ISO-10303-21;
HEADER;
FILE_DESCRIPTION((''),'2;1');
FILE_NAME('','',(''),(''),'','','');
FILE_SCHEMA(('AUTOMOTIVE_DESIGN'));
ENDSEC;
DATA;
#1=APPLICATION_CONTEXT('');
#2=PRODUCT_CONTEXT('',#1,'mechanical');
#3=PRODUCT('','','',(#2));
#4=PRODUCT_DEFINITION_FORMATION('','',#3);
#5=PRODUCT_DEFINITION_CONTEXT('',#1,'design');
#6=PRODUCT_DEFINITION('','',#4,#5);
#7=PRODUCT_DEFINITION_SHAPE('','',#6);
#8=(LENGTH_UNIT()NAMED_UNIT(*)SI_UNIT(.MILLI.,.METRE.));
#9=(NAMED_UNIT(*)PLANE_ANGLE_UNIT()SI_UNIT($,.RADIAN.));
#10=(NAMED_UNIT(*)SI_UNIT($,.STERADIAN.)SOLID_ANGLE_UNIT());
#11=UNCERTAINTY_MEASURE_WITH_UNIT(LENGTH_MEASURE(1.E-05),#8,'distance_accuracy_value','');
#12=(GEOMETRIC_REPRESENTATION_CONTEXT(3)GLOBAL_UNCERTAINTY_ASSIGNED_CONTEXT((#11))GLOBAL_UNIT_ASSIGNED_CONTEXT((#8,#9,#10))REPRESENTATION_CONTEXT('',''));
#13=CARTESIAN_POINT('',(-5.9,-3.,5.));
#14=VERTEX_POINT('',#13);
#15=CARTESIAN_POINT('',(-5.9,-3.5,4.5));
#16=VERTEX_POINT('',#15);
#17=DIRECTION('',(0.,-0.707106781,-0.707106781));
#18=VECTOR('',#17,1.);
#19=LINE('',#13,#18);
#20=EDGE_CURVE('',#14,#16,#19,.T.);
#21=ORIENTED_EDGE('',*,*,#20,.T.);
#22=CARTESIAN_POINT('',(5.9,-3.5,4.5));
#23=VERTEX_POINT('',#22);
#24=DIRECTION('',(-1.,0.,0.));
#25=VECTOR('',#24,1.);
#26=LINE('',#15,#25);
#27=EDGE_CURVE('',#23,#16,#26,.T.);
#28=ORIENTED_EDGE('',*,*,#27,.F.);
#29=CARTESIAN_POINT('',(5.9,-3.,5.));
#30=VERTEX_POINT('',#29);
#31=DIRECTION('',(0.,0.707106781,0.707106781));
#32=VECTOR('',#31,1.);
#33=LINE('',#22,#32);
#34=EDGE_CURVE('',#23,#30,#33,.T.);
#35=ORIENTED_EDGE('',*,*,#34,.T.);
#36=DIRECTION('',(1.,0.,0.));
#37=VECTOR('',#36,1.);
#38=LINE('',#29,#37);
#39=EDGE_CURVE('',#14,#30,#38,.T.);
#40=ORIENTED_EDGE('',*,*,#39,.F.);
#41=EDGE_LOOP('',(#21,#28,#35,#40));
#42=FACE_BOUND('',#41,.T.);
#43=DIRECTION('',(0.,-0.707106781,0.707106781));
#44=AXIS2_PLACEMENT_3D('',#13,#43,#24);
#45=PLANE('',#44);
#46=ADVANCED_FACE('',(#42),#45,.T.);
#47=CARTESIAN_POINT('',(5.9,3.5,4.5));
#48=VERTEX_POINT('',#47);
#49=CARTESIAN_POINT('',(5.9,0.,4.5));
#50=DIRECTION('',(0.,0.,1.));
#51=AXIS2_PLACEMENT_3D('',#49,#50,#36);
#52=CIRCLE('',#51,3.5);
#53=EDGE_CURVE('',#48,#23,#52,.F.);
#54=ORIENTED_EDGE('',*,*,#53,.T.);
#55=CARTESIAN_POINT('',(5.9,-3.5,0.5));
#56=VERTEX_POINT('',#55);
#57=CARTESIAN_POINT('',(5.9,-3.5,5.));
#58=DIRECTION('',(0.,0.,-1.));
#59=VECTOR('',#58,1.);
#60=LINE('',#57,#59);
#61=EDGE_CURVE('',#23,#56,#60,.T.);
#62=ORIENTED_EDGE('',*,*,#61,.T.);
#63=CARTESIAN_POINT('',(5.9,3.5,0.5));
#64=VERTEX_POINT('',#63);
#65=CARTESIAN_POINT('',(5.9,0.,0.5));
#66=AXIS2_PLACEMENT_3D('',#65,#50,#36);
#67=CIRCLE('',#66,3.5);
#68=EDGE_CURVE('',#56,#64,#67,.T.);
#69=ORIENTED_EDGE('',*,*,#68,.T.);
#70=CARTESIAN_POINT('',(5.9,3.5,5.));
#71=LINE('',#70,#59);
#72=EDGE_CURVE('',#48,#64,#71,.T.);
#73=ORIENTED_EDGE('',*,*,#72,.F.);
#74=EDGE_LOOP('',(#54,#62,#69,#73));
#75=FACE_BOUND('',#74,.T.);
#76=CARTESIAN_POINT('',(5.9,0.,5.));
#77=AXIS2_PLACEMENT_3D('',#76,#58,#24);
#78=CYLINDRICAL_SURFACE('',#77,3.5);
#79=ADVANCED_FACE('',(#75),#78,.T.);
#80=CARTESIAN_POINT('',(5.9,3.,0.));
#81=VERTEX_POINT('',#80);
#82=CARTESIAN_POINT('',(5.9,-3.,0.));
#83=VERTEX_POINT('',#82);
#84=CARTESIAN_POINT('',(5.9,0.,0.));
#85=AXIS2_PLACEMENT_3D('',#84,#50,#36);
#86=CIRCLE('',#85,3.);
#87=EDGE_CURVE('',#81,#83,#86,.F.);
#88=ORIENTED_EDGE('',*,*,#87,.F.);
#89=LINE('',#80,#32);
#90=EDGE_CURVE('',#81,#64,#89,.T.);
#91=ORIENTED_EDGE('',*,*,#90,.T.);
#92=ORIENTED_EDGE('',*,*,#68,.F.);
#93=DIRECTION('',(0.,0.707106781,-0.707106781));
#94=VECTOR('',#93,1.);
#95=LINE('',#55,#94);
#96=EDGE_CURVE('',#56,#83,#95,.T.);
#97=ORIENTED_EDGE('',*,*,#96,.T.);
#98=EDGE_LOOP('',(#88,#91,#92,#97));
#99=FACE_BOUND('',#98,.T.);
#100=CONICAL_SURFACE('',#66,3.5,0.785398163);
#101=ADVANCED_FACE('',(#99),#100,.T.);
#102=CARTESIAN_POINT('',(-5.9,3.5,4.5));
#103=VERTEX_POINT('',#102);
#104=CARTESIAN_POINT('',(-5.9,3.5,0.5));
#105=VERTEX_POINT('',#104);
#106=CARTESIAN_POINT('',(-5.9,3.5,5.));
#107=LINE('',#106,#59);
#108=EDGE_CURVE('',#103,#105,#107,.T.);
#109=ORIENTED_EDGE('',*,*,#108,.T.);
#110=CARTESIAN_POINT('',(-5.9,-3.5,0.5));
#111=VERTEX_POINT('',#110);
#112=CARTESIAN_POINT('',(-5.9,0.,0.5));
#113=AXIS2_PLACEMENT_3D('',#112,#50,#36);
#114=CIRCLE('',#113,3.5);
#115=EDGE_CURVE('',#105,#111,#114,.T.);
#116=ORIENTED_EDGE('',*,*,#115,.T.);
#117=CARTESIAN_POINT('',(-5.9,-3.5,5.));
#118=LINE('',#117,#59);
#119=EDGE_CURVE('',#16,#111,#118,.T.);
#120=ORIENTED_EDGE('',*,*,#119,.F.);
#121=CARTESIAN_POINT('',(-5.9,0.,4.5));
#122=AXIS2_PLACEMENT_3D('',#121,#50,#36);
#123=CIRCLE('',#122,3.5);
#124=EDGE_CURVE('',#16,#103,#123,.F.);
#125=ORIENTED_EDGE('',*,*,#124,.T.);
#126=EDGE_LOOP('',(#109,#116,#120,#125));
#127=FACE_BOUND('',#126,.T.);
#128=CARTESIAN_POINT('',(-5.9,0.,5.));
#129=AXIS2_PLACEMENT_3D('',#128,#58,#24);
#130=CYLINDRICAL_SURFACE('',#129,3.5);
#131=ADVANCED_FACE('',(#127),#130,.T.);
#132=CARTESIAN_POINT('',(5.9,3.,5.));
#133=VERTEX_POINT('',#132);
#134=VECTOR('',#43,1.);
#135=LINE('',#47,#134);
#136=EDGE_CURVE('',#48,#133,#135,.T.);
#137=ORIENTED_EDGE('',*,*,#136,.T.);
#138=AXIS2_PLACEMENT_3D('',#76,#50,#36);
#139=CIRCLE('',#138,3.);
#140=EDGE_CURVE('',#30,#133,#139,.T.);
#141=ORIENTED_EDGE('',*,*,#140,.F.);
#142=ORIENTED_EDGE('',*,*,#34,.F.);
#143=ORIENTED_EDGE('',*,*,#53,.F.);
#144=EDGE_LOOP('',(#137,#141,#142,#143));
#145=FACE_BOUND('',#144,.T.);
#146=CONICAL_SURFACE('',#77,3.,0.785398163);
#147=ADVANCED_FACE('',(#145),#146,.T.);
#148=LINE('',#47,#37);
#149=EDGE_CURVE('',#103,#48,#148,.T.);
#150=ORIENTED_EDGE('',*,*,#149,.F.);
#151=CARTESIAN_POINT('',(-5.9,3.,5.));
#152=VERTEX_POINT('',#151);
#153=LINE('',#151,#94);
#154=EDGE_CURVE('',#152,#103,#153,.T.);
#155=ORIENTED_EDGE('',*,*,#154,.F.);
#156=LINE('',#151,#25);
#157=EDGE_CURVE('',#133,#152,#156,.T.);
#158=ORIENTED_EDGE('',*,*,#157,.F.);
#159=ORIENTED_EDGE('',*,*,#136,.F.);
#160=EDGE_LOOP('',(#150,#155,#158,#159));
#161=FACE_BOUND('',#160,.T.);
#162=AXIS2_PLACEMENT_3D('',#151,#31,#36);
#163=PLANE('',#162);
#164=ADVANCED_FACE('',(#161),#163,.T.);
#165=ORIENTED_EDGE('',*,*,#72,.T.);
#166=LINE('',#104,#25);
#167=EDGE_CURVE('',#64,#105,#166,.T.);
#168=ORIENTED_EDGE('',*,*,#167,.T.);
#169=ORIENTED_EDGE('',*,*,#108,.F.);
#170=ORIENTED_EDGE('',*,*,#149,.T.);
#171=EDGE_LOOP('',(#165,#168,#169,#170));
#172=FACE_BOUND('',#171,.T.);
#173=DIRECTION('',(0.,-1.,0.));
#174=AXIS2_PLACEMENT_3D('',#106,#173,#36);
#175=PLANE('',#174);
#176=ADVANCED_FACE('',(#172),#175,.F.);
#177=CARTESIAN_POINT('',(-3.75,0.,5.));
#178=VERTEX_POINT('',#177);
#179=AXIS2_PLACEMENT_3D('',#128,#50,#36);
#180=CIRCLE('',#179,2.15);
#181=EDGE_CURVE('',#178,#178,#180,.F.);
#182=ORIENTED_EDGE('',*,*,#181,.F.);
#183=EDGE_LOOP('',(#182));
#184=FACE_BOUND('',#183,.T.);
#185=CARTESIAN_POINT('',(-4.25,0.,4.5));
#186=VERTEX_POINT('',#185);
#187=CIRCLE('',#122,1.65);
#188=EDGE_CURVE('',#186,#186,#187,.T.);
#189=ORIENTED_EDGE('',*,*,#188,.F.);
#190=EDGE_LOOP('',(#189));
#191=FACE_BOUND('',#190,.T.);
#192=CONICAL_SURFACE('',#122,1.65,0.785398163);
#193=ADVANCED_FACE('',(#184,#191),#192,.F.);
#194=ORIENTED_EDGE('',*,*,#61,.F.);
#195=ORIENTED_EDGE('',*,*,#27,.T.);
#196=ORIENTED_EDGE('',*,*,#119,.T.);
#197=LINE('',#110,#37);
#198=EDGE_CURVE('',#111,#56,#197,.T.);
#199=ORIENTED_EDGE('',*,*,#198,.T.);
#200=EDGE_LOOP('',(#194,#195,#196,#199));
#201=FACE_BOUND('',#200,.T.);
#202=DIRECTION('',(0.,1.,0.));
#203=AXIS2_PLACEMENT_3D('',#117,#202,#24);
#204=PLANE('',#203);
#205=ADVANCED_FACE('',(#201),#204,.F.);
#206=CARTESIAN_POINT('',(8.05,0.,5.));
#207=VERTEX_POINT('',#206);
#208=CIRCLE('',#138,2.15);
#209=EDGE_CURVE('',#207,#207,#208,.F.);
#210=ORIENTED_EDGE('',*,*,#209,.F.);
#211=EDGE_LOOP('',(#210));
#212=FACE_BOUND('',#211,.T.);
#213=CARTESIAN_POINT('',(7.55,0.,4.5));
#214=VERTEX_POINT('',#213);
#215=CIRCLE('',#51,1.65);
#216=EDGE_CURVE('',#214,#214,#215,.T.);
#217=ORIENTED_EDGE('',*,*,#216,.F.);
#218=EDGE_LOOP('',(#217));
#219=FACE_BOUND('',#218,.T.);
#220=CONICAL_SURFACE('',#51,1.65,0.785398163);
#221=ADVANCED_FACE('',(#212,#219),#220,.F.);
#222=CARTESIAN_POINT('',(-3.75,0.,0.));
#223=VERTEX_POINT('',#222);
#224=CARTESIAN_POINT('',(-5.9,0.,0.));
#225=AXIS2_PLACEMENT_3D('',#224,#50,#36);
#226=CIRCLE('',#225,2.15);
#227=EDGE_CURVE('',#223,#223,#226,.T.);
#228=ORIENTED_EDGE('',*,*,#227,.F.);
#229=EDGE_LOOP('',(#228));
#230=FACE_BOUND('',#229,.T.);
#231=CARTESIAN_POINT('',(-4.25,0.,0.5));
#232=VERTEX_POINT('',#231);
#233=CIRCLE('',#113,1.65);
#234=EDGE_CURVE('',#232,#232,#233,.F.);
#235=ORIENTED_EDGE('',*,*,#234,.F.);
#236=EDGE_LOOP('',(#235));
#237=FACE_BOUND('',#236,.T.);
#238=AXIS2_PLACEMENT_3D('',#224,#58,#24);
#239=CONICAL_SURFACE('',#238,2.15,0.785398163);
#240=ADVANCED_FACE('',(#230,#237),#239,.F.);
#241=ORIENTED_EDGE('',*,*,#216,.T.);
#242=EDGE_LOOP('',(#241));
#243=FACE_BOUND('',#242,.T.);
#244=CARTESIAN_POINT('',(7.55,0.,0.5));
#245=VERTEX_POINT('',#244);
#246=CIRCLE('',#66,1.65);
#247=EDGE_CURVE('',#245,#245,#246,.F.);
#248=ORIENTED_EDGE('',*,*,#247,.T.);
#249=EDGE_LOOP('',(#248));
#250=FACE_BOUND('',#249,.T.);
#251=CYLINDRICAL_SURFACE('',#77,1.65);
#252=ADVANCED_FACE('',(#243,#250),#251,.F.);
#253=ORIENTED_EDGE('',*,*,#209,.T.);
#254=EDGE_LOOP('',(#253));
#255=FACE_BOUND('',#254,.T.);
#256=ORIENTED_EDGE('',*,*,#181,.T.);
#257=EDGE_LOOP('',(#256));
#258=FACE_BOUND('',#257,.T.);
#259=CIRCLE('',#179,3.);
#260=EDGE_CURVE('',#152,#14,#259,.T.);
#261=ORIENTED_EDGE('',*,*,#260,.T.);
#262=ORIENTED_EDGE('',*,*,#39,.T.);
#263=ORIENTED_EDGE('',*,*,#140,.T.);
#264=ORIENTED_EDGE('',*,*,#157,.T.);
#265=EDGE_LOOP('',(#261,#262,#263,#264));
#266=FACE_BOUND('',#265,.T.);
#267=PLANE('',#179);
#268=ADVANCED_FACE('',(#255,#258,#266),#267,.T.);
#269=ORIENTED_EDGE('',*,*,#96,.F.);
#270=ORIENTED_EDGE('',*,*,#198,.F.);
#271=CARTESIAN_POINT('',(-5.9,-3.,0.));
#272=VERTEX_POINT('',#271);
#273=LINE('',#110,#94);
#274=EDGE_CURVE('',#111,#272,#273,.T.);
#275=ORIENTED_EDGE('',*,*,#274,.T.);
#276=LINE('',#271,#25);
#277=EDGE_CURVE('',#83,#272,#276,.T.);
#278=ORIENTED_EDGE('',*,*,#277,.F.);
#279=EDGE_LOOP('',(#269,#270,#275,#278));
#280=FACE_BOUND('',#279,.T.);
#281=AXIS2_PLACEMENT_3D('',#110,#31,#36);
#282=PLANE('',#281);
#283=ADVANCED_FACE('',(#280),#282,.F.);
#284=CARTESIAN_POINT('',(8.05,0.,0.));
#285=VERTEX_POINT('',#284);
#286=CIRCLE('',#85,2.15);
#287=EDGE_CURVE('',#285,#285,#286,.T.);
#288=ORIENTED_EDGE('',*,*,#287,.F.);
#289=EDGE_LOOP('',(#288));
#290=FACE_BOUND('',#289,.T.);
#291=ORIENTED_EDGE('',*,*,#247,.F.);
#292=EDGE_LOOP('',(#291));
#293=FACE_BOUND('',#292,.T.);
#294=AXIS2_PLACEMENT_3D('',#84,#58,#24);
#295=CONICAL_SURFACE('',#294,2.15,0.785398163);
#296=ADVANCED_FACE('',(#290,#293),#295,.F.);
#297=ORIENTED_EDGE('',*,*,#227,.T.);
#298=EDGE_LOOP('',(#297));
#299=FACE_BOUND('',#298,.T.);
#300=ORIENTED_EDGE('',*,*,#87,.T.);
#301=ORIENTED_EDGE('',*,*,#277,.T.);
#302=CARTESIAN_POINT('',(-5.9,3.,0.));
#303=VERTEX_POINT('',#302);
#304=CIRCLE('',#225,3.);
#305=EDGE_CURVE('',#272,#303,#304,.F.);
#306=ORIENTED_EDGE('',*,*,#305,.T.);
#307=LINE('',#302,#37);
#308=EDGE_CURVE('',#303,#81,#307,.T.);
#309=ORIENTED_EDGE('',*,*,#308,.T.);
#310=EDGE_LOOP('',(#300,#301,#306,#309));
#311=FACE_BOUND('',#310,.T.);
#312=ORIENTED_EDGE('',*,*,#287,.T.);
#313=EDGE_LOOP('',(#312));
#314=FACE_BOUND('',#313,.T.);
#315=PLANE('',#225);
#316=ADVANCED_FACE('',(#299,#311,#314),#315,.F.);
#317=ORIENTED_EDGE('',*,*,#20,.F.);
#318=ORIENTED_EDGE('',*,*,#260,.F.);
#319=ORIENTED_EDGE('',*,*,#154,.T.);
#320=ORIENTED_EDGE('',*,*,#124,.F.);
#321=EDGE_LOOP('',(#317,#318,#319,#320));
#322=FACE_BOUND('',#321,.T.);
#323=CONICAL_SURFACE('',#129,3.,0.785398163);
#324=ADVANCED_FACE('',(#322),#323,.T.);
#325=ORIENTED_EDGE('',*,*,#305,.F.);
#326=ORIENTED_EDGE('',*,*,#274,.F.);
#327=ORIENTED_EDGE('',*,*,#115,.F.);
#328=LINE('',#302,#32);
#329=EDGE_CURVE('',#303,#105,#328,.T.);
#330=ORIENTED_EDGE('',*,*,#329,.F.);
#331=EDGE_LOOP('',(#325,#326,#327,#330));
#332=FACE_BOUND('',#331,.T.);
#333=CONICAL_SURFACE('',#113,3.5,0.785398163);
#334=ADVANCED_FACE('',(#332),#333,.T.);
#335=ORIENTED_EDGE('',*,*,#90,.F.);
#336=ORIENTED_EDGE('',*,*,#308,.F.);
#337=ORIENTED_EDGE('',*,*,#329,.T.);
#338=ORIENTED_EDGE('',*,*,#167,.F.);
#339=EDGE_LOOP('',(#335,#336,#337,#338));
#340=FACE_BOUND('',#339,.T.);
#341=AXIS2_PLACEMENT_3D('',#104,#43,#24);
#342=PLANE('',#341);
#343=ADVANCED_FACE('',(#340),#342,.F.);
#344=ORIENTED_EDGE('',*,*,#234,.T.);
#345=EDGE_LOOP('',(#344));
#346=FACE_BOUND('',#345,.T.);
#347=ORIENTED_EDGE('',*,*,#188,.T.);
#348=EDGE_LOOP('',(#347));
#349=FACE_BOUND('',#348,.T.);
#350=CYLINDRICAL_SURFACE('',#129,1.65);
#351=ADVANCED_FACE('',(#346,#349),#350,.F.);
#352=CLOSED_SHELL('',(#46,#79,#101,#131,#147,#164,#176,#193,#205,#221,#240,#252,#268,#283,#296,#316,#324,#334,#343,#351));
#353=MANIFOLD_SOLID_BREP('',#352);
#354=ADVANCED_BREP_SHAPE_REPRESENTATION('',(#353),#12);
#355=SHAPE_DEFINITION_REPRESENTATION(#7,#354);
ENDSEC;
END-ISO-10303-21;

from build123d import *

# Parameters (mm, degrees)
SKETCH_1_R      = 1.65
EXTRUDE_1_DEPTH = 5
CHAMFER_1_SIZE  = 0.5


with BuildPart() as part:
    # 草图1 → 凸台-拉伸1 (new body)
    with BuildSketch(Plane.XY):
        with BuildLine():
            Line((-5.9, 3.5), (5.9, 3.5))
            ThreePointArc((5.9, 3.5), (9.4, 0), (5.9, -3.5))
            Line((5.9, -3.5), (-5.9, -3.5))
            ThreePointArc((-5.9, -3.5), (-9.4, 0), (-5.9, 3.5))
        make_face()
        with Locations((5.9, 0)):
            Circle(SKETCH_1_R, mode=Mode.SUBTRACT)
        with Locations((-5.9, 0)):
            Circle(SKETCH_1_R, mode=Mode.SUBTRACT)
    extrude(amount=EXTRUDE_1_DEPTH)

    # 倒角1
    chamfer_1_edges = [part.edges().sort_by_distance(p)[0] for p in [
        (4.25, 0, 0),
        (4.25, 0, 5),
        (9.4, 0, 5),
        (-7.55, 0, 0),
        (-7.55, 0, 5),
        (0, 3.5, 5),
        (-9.4, 0, 5),
        (0, 3.5, 0),
        (9.4, 0, 0),
        (0, -3.5, 0),
        (-9.4, 0, 0),
        (0, -3.5, 5),
    ]]
    chamfer(chamfer_1_edges, length=CHAMFER_1_SIZE)


solid = part.part
